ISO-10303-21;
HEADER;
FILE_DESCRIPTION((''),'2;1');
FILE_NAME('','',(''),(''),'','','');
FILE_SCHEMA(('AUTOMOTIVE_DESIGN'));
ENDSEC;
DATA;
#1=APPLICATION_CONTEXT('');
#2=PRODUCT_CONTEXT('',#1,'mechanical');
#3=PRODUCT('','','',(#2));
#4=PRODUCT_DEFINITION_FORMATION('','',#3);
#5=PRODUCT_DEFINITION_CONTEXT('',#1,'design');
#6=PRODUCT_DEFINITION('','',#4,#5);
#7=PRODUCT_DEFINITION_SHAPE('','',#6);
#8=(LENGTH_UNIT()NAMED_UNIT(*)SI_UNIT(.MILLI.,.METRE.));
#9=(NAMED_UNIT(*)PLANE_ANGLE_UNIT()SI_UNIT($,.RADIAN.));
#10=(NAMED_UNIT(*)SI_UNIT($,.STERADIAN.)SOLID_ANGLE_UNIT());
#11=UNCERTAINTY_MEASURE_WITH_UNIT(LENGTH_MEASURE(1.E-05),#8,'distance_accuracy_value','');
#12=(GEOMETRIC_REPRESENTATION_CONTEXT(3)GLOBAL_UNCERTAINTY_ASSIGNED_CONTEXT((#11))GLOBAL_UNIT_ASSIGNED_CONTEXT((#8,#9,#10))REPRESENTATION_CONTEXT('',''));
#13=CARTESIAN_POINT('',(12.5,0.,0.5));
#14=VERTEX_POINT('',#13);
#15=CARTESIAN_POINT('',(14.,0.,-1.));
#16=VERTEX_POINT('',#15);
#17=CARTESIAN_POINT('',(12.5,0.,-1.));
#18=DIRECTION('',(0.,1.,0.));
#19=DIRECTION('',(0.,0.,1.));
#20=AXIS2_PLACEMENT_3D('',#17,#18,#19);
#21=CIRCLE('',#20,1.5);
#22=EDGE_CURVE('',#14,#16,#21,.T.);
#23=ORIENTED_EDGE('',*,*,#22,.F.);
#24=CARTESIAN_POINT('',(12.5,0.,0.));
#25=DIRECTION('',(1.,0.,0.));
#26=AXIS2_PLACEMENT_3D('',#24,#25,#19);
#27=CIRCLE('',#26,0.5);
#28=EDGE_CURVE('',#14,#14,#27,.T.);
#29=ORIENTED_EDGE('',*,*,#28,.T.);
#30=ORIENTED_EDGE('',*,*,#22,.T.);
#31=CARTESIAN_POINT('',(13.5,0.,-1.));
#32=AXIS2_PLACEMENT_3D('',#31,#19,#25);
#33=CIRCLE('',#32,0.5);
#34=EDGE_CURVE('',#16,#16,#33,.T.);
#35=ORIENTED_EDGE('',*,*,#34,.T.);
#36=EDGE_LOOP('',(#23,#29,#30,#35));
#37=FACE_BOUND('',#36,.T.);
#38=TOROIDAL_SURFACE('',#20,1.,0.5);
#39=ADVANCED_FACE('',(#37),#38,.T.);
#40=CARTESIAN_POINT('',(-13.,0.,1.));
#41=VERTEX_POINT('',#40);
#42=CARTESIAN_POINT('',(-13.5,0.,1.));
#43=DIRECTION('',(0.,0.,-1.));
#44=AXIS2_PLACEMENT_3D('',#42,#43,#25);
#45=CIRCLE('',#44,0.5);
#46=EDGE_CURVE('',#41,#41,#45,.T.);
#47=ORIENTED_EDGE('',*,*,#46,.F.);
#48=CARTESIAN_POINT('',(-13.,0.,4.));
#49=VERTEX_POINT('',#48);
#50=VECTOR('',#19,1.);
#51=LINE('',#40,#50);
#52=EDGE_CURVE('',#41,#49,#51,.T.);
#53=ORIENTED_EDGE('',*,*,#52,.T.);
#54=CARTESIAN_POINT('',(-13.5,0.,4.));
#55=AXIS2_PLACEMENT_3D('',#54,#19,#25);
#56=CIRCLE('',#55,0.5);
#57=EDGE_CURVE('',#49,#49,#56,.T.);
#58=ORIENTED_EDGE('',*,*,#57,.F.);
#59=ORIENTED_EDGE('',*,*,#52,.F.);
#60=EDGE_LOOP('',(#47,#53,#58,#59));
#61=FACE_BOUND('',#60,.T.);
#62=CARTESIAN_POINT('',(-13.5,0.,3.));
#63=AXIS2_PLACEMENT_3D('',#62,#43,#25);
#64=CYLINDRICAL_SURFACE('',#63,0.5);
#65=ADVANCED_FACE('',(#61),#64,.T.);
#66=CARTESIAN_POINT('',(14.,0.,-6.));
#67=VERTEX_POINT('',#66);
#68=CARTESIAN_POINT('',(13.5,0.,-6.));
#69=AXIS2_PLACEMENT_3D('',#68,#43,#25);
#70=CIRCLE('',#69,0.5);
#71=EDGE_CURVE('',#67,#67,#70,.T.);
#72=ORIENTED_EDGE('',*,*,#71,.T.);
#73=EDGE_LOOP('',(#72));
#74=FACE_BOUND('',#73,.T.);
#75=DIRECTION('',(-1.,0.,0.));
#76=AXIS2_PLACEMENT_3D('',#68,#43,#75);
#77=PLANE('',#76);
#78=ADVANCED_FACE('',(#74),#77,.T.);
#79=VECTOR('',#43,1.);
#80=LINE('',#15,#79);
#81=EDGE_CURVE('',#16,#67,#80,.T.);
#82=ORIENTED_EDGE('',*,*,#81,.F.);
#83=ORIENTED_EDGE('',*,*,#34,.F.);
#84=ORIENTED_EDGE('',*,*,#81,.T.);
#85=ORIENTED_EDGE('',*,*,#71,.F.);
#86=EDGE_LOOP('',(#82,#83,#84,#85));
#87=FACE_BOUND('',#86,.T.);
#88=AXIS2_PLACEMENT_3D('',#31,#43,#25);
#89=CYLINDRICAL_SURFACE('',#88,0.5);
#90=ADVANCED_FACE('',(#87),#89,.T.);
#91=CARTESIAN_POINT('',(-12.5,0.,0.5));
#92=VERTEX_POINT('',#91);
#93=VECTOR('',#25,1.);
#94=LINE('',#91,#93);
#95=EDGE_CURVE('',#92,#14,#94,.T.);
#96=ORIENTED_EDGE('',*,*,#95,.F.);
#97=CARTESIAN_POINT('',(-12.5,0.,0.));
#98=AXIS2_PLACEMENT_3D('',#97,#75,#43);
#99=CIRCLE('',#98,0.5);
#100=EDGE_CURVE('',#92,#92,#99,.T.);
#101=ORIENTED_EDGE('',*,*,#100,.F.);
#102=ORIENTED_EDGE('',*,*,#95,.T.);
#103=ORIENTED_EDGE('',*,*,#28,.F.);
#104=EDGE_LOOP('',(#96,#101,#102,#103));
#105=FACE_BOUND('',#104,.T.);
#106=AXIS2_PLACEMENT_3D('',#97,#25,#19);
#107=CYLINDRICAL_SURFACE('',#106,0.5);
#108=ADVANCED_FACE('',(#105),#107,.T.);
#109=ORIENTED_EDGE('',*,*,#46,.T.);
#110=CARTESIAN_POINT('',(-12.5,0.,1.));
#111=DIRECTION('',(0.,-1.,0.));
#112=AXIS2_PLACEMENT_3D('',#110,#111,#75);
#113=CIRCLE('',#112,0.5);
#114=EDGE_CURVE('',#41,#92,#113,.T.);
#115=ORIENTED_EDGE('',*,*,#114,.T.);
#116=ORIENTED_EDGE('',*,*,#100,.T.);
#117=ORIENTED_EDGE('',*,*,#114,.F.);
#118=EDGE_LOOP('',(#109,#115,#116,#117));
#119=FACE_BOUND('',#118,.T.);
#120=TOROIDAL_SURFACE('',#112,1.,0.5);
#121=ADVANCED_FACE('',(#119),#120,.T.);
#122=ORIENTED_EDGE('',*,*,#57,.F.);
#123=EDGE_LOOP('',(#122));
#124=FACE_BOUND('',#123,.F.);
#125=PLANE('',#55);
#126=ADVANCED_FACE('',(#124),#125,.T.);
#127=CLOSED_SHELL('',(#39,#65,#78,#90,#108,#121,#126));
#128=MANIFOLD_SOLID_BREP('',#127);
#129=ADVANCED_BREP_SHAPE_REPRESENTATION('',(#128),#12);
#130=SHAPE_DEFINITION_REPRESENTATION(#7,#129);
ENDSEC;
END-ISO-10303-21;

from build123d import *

# Parameters (mm, degrees)
F0_W      = 0.5
F0_H      = 1
F1_FACE_R = 0.5


with BuildPart() as f1:
    # F0 (on Front) → F1 (revolve)
    with BuildSketch(Plane.XZ):
        with Locations((-13.25, 3.5)):
            Rectangle(F0_W, F0_H)
    revolve(axis=Axis((-13.5, 0, 3.5), (0, 0, 1)))

    # F2: sweep along a path in F0
    with BuildLine(Plane.XZ) as f2_path:
        Line((-13.5, 3), (-13.5, 1))
        ThreePointArc((-13.5, 1), (-13.2071067812, 0.2928932188), (-12.5, 0))
        Line((-12.5, 0), (12.5, 0))
        ThreePointArc((12.5, 0), (13.2071067812, -0.2928932188), (13.5, -1))
        Line((13.5, -1), (13.5, -6))
    # F1_face (on face) → F2 (sweep)
    with BuildSketch(Plane(origin=(-13.5, 0, 3), x_dir=(1, 0, 0), z_dir=(0, 0, -1))):
        Circle(F1_FACE_R)
    sweep(path=f2_path.line)


solid = f1.part
